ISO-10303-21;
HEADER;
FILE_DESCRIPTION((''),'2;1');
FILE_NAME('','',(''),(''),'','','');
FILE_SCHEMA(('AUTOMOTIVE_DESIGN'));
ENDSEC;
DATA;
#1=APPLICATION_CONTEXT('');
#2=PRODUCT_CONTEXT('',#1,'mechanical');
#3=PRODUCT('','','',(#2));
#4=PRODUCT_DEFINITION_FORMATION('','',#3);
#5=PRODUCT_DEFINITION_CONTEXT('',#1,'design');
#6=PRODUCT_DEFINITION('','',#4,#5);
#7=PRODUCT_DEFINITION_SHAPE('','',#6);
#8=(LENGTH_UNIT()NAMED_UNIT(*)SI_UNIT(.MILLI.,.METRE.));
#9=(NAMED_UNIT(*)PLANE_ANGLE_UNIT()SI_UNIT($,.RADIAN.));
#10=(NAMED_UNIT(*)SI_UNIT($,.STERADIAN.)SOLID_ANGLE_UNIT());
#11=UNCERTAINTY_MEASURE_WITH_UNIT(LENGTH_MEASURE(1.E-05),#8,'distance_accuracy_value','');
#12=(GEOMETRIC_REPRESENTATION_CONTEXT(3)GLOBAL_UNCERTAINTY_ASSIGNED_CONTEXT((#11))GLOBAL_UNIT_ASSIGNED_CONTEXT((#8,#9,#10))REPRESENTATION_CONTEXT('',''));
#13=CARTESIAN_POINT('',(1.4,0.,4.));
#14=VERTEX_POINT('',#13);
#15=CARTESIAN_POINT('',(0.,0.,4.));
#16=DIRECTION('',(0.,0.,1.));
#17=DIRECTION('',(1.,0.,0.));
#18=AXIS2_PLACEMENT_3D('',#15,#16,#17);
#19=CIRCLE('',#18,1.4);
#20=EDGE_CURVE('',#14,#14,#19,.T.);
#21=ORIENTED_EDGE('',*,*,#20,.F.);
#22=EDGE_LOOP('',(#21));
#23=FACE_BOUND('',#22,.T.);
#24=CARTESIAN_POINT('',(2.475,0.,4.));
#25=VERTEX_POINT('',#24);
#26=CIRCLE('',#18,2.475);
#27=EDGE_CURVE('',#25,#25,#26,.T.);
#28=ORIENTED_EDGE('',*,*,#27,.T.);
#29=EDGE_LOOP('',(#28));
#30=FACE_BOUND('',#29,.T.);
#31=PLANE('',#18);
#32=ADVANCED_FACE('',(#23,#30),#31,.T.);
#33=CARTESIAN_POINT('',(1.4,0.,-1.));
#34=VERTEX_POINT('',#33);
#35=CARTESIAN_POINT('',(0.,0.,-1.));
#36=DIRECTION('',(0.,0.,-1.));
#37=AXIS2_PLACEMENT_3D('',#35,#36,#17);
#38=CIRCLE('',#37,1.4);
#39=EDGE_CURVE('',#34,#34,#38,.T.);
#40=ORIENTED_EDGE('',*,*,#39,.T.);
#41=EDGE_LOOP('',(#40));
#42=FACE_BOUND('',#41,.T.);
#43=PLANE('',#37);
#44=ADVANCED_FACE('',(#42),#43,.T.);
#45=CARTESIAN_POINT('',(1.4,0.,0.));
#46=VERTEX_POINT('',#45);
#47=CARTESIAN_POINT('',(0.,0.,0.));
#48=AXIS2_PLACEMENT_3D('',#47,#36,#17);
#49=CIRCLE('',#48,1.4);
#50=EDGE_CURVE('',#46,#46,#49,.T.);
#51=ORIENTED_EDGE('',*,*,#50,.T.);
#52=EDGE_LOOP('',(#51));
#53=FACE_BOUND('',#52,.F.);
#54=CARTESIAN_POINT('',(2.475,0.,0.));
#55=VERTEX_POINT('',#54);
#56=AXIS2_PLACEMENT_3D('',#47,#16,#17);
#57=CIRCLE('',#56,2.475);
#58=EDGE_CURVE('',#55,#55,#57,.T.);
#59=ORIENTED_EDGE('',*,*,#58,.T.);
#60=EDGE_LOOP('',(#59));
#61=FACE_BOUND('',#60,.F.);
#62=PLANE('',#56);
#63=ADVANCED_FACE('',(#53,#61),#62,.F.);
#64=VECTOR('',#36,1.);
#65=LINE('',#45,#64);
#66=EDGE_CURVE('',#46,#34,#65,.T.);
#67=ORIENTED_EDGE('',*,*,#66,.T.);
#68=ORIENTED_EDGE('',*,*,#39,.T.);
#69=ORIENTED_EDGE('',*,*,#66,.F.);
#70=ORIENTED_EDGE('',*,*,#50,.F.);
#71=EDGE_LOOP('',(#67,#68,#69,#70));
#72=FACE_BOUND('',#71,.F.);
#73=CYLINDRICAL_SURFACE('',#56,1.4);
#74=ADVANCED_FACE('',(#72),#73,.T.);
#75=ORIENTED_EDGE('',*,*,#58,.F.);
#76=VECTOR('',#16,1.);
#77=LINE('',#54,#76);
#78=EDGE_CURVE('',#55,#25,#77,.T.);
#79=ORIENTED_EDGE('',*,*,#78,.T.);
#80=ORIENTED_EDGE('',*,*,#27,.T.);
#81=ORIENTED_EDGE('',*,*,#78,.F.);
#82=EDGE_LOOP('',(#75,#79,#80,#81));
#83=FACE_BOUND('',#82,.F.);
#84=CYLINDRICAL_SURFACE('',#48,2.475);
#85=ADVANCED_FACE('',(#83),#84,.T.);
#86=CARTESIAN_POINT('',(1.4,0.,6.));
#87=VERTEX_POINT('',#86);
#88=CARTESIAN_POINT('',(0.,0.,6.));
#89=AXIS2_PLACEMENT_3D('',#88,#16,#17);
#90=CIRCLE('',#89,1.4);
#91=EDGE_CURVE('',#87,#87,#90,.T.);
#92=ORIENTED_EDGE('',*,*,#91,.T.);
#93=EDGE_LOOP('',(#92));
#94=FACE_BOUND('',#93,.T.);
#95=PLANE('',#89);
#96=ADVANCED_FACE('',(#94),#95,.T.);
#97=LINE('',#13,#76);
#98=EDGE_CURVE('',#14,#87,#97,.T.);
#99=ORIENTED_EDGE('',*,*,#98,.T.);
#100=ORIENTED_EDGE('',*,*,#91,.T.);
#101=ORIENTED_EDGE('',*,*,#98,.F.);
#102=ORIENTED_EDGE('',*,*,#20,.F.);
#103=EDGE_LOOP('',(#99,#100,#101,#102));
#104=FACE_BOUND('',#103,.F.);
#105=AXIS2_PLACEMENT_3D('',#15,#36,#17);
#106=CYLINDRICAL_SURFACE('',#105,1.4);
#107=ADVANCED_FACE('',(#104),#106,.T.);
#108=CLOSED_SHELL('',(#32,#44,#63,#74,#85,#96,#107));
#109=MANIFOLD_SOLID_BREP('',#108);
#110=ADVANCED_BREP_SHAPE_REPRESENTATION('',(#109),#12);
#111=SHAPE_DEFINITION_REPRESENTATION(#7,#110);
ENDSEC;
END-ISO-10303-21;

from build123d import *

# Parameters (mm, degrees)
F0_R     = 2.475
F0_R_2   = 1.5
F1_DEPTH = 4
F2_R     = 1.4
F3_DEPTH = 2
F4_R     = 1.4
F5_DEPTH = 1


with BuildPart() as f1:
    # F0 (on Top) → F1 (new body)
    with BuildSketch(Plane.XY):
        Circle(F0_R)
        Circle(F0_R_2, mode=Mode.SUBTRACT)
        Circle(F0_R_2)
    extrude(amount=F1_DEPTH)

    # F2 (on face) → F3 (join)
    with BuildSketch(Plane.XY.offset(4)):
        Circle(F2_R)
    extrude(amount=F3_DEPTH)

    # F4 (on face) → F5 (join)
    with BuildSketch(Plane(origin=(0, 0, 0), x_dir=(1, 0, 0), z_dir=(0, 0, -1))):
        Circle(F4_R)
    extrude(amount=F5_DEPTH)


solid = f1.part
